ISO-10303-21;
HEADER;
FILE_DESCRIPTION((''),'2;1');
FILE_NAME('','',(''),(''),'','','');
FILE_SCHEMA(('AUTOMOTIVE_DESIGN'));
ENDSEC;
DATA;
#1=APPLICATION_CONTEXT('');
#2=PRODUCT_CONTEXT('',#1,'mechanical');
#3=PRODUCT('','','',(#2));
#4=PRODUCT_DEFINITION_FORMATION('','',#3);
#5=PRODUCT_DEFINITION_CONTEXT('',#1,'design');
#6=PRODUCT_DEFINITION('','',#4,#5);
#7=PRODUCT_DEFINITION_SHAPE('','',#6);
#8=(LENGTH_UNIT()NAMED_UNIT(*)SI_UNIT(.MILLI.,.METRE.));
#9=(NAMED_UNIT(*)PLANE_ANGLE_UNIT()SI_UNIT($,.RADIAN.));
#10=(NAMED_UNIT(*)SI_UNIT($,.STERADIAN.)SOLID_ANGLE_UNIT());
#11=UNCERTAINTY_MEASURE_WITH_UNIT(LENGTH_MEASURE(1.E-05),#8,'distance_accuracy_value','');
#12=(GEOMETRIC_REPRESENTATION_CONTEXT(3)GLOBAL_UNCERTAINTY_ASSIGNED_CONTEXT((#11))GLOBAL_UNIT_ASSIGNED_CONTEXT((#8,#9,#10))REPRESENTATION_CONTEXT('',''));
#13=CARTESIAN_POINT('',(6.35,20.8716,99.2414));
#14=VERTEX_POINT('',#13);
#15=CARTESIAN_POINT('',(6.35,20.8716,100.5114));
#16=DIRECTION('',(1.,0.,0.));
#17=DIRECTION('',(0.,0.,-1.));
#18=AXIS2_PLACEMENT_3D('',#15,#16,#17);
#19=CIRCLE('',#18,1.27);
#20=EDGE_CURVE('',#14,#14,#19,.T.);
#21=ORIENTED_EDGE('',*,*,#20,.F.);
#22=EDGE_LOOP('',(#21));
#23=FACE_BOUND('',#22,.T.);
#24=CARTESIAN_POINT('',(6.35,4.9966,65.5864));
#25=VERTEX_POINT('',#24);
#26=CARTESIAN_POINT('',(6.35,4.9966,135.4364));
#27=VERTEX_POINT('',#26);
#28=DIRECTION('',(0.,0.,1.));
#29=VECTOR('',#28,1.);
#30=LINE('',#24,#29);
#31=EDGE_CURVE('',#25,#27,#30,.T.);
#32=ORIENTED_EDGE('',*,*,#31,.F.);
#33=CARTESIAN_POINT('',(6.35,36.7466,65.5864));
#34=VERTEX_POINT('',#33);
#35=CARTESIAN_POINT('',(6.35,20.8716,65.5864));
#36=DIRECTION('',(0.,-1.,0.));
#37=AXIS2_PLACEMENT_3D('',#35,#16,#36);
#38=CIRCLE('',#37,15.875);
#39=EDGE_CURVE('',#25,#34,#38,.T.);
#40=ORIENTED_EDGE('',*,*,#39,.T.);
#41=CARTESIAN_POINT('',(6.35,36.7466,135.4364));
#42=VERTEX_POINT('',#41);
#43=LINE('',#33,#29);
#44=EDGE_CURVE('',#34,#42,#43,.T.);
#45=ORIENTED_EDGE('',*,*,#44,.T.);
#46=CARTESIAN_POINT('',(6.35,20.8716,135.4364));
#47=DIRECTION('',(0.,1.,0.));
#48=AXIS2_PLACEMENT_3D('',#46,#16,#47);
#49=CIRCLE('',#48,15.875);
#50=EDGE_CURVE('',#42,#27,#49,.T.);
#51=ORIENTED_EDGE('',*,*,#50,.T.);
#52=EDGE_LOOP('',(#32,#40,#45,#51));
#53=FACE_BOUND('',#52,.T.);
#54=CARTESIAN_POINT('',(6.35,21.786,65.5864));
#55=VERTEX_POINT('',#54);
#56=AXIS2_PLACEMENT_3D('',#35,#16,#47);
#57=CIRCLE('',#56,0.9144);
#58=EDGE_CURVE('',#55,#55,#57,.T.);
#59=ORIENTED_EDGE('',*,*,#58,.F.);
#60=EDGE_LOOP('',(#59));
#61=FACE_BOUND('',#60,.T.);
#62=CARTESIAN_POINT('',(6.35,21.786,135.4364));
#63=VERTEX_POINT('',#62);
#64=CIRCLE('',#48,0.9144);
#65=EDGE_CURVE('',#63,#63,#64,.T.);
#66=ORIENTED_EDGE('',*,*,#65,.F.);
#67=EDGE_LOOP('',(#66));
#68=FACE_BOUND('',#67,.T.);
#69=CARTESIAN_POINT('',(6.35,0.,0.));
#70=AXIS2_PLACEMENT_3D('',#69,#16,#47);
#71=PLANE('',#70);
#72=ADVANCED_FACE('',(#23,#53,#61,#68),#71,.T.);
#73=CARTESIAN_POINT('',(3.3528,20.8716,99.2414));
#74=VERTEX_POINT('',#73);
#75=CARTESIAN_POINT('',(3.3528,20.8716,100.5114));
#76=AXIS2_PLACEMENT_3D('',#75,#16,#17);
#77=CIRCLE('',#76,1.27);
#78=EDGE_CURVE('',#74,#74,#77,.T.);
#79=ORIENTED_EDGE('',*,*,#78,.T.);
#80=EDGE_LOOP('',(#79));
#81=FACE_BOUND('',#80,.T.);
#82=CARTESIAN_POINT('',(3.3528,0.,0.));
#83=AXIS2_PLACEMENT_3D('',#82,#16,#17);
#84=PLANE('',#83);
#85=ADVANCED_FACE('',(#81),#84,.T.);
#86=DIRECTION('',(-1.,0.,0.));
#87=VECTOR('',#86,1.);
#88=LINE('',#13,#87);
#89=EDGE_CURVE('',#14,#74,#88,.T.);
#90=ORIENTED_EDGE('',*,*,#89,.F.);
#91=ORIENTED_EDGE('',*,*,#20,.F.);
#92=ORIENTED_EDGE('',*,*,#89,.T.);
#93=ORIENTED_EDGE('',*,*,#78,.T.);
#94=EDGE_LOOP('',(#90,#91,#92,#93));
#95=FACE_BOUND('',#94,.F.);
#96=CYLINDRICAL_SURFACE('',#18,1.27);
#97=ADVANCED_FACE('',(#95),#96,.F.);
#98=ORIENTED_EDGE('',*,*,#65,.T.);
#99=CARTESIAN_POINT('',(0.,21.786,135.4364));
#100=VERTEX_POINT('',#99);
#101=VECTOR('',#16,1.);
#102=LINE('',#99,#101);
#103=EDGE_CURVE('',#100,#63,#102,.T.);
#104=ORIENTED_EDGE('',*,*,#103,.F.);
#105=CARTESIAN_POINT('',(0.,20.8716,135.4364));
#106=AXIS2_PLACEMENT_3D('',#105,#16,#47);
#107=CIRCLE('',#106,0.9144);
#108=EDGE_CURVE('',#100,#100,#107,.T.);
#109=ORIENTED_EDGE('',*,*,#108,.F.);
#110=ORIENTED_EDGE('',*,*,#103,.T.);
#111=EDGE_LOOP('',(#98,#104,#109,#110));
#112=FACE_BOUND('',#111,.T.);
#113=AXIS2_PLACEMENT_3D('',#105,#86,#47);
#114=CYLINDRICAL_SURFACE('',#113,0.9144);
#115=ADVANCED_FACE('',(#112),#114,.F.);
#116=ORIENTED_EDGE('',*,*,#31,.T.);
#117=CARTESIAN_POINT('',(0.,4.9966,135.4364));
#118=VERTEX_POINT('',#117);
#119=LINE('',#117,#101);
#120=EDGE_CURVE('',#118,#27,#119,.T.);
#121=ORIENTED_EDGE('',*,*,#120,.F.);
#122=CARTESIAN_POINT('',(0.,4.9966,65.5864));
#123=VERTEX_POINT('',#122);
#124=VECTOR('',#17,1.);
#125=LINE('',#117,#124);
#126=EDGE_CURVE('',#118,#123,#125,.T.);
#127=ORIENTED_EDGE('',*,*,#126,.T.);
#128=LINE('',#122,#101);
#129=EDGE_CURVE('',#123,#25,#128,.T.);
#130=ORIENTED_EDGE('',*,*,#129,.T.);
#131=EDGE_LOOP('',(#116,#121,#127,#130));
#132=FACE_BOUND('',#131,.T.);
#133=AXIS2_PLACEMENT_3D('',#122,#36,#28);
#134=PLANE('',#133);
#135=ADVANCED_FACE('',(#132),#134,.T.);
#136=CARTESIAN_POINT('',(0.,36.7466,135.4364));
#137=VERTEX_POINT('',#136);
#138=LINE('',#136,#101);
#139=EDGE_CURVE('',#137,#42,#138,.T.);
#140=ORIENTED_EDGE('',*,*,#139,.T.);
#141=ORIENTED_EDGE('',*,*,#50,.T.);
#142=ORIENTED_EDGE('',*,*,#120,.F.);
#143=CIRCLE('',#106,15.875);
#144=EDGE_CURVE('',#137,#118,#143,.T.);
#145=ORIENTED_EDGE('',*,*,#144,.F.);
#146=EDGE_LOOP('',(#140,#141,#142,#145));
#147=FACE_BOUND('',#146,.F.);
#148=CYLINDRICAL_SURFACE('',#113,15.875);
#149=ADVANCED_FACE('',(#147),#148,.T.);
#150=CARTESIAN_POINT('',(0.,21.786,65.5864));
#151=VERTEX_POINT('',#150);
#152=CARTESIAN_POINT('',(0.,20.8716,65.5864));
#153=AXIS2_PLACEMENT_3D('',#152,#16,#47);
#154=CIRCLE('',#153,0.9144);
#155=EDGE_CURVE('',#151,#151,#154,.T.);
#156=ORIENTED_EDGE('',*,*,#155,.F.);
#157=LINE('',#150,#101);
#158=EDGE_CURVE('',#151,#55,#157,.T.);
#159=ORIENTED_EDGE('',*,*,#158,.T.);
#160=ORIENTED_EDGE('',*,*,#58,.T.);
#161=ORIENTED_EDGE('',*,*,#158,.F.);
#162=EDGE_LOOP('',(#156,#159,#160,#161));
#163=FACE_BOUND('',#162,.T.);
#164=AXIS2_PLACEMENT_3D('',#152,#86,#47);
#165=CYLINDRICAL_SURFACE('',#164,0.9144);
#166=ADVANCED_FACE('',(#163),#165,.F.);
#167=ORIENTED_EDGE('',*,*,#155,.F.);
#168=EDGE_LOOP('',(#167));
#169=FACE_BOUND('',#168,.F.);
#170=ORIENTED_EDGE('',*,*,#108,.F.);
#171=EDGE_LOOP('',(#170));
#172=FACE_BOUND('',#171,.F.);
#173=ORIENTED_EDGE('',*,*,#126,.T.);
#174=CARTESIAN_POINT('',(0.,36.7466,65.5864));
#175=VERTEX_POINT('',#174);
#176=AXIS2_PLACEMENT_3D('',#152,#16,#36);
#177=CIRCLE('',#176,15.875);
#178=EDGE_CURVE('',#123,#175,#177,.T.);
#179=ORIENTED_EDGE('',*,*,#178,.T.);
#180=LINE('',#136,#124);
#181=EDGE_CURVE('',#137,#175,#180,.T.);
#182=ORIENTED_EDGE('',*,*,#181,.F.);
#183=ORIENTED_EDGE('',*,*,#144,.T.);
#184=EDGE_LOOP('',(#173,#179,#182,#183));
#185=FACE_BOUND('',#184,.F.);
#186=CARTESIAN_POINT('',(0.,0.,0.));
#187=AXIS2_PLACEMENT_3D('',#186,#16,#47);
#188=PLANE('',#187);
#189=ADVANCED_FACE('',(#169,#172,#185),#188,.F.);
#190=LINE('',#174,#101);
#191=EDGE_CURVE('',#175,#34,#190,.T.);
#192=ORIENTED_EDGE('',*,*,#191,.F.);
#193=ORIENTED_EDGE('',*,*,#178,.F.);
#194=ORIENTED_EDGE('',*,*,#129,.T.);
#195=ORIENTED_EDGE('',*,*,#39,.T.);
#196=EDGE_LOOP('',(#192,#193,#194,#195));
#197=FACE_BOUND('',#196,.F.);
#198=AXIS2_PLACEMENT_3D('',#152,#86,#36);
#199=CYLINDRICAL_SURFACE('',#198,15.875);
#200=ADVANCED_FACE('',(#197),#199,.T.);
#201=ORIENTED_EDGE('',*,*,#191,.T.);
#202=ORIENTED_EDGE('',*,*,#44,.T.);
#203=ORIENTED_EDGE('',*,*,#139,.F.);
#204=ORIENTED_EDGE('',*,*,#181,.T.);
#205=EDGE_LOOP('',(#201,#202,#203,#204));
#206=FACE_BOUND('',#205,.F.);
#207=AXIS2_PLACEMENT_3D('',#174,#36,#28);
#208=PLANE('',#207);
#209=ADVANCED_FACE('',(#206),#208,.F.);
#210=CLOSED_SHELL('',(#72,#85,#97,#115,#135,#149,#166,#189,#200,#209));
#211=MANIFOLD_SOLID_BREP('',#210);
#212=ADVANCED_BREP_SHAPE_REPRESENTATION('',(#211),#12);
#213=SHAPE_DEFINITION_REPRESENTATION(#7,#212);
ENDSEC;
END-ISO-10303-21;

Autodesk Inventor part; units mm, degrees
ref_plane "YZ Plane" through (0, 0, 0) normal (1, 0, 0) x (0, 1, 0)
ref_plane "XZ Plane" through (0, 0, 0) normal (0, 1, 0) x (-1, 0, 0)
ref_plane "XY Plane" through (0, 0, 0) normal (0, 0, 1) x (1, 0, 0)
sketch "Sketch1" plane through (0, 0, 0) normal (1, 0, 0) x (0, 1, 0)
  arc A0 (4.9966, 65.5864) -> (36.7466, 65.5864) centre (20.8716, 65.5864) ccw
  line L0 (36.7466, 65.5864) -> (36.7466, 100.5114)
  line L1 (4.9966, 65.5864) -> (4.9966, 100.5114)
  arc A1 (36.7466, 135.4364) -> (4.9966, 135.4364) centre (20.8716, 135.4364) ccw
  line L2 (36.7466, 135.4364) -> (36.7466, 100.5114)
  line L3 (4.9966, 135.4364) -> (4.9966, 100.5114)
  circle A2 centre (20.8716, 135.4364) radius 0.9144
  circle A3 centre (20.8716, 65.5864) radius 0.9144
  dimension "d3" = 1.8288
  dimension "d4" = 1.8288
extrude "Extrusion1" add sketch "Sketch1" along normal blind 6.35
sketch "Sketch2" plane through (6.35, 0, 0) normal (1, 0, 0) x (0, 0, -1)
  point P0 (0, 0)
sketch "Sketch5" plane through (6.35, 0, 0) normal (1, 0, 0) x (0, 0, -1)
  circle A0 centre (-135.4364, 20.8716) radius 0.9144 projected
  circle A1 centre (-65.5864, 20.8716) radius 0.9144 projected
  circle A2 centre (-100.5114, 20.8716) radius 1.27
  point P0 (0, 0)
  dimension "d18" = 2.54
extrude "Extrusion4" cut sketch "Sketch5" against normal blind 2.9972 contours A2
properties part number "Second Arm half scale"
